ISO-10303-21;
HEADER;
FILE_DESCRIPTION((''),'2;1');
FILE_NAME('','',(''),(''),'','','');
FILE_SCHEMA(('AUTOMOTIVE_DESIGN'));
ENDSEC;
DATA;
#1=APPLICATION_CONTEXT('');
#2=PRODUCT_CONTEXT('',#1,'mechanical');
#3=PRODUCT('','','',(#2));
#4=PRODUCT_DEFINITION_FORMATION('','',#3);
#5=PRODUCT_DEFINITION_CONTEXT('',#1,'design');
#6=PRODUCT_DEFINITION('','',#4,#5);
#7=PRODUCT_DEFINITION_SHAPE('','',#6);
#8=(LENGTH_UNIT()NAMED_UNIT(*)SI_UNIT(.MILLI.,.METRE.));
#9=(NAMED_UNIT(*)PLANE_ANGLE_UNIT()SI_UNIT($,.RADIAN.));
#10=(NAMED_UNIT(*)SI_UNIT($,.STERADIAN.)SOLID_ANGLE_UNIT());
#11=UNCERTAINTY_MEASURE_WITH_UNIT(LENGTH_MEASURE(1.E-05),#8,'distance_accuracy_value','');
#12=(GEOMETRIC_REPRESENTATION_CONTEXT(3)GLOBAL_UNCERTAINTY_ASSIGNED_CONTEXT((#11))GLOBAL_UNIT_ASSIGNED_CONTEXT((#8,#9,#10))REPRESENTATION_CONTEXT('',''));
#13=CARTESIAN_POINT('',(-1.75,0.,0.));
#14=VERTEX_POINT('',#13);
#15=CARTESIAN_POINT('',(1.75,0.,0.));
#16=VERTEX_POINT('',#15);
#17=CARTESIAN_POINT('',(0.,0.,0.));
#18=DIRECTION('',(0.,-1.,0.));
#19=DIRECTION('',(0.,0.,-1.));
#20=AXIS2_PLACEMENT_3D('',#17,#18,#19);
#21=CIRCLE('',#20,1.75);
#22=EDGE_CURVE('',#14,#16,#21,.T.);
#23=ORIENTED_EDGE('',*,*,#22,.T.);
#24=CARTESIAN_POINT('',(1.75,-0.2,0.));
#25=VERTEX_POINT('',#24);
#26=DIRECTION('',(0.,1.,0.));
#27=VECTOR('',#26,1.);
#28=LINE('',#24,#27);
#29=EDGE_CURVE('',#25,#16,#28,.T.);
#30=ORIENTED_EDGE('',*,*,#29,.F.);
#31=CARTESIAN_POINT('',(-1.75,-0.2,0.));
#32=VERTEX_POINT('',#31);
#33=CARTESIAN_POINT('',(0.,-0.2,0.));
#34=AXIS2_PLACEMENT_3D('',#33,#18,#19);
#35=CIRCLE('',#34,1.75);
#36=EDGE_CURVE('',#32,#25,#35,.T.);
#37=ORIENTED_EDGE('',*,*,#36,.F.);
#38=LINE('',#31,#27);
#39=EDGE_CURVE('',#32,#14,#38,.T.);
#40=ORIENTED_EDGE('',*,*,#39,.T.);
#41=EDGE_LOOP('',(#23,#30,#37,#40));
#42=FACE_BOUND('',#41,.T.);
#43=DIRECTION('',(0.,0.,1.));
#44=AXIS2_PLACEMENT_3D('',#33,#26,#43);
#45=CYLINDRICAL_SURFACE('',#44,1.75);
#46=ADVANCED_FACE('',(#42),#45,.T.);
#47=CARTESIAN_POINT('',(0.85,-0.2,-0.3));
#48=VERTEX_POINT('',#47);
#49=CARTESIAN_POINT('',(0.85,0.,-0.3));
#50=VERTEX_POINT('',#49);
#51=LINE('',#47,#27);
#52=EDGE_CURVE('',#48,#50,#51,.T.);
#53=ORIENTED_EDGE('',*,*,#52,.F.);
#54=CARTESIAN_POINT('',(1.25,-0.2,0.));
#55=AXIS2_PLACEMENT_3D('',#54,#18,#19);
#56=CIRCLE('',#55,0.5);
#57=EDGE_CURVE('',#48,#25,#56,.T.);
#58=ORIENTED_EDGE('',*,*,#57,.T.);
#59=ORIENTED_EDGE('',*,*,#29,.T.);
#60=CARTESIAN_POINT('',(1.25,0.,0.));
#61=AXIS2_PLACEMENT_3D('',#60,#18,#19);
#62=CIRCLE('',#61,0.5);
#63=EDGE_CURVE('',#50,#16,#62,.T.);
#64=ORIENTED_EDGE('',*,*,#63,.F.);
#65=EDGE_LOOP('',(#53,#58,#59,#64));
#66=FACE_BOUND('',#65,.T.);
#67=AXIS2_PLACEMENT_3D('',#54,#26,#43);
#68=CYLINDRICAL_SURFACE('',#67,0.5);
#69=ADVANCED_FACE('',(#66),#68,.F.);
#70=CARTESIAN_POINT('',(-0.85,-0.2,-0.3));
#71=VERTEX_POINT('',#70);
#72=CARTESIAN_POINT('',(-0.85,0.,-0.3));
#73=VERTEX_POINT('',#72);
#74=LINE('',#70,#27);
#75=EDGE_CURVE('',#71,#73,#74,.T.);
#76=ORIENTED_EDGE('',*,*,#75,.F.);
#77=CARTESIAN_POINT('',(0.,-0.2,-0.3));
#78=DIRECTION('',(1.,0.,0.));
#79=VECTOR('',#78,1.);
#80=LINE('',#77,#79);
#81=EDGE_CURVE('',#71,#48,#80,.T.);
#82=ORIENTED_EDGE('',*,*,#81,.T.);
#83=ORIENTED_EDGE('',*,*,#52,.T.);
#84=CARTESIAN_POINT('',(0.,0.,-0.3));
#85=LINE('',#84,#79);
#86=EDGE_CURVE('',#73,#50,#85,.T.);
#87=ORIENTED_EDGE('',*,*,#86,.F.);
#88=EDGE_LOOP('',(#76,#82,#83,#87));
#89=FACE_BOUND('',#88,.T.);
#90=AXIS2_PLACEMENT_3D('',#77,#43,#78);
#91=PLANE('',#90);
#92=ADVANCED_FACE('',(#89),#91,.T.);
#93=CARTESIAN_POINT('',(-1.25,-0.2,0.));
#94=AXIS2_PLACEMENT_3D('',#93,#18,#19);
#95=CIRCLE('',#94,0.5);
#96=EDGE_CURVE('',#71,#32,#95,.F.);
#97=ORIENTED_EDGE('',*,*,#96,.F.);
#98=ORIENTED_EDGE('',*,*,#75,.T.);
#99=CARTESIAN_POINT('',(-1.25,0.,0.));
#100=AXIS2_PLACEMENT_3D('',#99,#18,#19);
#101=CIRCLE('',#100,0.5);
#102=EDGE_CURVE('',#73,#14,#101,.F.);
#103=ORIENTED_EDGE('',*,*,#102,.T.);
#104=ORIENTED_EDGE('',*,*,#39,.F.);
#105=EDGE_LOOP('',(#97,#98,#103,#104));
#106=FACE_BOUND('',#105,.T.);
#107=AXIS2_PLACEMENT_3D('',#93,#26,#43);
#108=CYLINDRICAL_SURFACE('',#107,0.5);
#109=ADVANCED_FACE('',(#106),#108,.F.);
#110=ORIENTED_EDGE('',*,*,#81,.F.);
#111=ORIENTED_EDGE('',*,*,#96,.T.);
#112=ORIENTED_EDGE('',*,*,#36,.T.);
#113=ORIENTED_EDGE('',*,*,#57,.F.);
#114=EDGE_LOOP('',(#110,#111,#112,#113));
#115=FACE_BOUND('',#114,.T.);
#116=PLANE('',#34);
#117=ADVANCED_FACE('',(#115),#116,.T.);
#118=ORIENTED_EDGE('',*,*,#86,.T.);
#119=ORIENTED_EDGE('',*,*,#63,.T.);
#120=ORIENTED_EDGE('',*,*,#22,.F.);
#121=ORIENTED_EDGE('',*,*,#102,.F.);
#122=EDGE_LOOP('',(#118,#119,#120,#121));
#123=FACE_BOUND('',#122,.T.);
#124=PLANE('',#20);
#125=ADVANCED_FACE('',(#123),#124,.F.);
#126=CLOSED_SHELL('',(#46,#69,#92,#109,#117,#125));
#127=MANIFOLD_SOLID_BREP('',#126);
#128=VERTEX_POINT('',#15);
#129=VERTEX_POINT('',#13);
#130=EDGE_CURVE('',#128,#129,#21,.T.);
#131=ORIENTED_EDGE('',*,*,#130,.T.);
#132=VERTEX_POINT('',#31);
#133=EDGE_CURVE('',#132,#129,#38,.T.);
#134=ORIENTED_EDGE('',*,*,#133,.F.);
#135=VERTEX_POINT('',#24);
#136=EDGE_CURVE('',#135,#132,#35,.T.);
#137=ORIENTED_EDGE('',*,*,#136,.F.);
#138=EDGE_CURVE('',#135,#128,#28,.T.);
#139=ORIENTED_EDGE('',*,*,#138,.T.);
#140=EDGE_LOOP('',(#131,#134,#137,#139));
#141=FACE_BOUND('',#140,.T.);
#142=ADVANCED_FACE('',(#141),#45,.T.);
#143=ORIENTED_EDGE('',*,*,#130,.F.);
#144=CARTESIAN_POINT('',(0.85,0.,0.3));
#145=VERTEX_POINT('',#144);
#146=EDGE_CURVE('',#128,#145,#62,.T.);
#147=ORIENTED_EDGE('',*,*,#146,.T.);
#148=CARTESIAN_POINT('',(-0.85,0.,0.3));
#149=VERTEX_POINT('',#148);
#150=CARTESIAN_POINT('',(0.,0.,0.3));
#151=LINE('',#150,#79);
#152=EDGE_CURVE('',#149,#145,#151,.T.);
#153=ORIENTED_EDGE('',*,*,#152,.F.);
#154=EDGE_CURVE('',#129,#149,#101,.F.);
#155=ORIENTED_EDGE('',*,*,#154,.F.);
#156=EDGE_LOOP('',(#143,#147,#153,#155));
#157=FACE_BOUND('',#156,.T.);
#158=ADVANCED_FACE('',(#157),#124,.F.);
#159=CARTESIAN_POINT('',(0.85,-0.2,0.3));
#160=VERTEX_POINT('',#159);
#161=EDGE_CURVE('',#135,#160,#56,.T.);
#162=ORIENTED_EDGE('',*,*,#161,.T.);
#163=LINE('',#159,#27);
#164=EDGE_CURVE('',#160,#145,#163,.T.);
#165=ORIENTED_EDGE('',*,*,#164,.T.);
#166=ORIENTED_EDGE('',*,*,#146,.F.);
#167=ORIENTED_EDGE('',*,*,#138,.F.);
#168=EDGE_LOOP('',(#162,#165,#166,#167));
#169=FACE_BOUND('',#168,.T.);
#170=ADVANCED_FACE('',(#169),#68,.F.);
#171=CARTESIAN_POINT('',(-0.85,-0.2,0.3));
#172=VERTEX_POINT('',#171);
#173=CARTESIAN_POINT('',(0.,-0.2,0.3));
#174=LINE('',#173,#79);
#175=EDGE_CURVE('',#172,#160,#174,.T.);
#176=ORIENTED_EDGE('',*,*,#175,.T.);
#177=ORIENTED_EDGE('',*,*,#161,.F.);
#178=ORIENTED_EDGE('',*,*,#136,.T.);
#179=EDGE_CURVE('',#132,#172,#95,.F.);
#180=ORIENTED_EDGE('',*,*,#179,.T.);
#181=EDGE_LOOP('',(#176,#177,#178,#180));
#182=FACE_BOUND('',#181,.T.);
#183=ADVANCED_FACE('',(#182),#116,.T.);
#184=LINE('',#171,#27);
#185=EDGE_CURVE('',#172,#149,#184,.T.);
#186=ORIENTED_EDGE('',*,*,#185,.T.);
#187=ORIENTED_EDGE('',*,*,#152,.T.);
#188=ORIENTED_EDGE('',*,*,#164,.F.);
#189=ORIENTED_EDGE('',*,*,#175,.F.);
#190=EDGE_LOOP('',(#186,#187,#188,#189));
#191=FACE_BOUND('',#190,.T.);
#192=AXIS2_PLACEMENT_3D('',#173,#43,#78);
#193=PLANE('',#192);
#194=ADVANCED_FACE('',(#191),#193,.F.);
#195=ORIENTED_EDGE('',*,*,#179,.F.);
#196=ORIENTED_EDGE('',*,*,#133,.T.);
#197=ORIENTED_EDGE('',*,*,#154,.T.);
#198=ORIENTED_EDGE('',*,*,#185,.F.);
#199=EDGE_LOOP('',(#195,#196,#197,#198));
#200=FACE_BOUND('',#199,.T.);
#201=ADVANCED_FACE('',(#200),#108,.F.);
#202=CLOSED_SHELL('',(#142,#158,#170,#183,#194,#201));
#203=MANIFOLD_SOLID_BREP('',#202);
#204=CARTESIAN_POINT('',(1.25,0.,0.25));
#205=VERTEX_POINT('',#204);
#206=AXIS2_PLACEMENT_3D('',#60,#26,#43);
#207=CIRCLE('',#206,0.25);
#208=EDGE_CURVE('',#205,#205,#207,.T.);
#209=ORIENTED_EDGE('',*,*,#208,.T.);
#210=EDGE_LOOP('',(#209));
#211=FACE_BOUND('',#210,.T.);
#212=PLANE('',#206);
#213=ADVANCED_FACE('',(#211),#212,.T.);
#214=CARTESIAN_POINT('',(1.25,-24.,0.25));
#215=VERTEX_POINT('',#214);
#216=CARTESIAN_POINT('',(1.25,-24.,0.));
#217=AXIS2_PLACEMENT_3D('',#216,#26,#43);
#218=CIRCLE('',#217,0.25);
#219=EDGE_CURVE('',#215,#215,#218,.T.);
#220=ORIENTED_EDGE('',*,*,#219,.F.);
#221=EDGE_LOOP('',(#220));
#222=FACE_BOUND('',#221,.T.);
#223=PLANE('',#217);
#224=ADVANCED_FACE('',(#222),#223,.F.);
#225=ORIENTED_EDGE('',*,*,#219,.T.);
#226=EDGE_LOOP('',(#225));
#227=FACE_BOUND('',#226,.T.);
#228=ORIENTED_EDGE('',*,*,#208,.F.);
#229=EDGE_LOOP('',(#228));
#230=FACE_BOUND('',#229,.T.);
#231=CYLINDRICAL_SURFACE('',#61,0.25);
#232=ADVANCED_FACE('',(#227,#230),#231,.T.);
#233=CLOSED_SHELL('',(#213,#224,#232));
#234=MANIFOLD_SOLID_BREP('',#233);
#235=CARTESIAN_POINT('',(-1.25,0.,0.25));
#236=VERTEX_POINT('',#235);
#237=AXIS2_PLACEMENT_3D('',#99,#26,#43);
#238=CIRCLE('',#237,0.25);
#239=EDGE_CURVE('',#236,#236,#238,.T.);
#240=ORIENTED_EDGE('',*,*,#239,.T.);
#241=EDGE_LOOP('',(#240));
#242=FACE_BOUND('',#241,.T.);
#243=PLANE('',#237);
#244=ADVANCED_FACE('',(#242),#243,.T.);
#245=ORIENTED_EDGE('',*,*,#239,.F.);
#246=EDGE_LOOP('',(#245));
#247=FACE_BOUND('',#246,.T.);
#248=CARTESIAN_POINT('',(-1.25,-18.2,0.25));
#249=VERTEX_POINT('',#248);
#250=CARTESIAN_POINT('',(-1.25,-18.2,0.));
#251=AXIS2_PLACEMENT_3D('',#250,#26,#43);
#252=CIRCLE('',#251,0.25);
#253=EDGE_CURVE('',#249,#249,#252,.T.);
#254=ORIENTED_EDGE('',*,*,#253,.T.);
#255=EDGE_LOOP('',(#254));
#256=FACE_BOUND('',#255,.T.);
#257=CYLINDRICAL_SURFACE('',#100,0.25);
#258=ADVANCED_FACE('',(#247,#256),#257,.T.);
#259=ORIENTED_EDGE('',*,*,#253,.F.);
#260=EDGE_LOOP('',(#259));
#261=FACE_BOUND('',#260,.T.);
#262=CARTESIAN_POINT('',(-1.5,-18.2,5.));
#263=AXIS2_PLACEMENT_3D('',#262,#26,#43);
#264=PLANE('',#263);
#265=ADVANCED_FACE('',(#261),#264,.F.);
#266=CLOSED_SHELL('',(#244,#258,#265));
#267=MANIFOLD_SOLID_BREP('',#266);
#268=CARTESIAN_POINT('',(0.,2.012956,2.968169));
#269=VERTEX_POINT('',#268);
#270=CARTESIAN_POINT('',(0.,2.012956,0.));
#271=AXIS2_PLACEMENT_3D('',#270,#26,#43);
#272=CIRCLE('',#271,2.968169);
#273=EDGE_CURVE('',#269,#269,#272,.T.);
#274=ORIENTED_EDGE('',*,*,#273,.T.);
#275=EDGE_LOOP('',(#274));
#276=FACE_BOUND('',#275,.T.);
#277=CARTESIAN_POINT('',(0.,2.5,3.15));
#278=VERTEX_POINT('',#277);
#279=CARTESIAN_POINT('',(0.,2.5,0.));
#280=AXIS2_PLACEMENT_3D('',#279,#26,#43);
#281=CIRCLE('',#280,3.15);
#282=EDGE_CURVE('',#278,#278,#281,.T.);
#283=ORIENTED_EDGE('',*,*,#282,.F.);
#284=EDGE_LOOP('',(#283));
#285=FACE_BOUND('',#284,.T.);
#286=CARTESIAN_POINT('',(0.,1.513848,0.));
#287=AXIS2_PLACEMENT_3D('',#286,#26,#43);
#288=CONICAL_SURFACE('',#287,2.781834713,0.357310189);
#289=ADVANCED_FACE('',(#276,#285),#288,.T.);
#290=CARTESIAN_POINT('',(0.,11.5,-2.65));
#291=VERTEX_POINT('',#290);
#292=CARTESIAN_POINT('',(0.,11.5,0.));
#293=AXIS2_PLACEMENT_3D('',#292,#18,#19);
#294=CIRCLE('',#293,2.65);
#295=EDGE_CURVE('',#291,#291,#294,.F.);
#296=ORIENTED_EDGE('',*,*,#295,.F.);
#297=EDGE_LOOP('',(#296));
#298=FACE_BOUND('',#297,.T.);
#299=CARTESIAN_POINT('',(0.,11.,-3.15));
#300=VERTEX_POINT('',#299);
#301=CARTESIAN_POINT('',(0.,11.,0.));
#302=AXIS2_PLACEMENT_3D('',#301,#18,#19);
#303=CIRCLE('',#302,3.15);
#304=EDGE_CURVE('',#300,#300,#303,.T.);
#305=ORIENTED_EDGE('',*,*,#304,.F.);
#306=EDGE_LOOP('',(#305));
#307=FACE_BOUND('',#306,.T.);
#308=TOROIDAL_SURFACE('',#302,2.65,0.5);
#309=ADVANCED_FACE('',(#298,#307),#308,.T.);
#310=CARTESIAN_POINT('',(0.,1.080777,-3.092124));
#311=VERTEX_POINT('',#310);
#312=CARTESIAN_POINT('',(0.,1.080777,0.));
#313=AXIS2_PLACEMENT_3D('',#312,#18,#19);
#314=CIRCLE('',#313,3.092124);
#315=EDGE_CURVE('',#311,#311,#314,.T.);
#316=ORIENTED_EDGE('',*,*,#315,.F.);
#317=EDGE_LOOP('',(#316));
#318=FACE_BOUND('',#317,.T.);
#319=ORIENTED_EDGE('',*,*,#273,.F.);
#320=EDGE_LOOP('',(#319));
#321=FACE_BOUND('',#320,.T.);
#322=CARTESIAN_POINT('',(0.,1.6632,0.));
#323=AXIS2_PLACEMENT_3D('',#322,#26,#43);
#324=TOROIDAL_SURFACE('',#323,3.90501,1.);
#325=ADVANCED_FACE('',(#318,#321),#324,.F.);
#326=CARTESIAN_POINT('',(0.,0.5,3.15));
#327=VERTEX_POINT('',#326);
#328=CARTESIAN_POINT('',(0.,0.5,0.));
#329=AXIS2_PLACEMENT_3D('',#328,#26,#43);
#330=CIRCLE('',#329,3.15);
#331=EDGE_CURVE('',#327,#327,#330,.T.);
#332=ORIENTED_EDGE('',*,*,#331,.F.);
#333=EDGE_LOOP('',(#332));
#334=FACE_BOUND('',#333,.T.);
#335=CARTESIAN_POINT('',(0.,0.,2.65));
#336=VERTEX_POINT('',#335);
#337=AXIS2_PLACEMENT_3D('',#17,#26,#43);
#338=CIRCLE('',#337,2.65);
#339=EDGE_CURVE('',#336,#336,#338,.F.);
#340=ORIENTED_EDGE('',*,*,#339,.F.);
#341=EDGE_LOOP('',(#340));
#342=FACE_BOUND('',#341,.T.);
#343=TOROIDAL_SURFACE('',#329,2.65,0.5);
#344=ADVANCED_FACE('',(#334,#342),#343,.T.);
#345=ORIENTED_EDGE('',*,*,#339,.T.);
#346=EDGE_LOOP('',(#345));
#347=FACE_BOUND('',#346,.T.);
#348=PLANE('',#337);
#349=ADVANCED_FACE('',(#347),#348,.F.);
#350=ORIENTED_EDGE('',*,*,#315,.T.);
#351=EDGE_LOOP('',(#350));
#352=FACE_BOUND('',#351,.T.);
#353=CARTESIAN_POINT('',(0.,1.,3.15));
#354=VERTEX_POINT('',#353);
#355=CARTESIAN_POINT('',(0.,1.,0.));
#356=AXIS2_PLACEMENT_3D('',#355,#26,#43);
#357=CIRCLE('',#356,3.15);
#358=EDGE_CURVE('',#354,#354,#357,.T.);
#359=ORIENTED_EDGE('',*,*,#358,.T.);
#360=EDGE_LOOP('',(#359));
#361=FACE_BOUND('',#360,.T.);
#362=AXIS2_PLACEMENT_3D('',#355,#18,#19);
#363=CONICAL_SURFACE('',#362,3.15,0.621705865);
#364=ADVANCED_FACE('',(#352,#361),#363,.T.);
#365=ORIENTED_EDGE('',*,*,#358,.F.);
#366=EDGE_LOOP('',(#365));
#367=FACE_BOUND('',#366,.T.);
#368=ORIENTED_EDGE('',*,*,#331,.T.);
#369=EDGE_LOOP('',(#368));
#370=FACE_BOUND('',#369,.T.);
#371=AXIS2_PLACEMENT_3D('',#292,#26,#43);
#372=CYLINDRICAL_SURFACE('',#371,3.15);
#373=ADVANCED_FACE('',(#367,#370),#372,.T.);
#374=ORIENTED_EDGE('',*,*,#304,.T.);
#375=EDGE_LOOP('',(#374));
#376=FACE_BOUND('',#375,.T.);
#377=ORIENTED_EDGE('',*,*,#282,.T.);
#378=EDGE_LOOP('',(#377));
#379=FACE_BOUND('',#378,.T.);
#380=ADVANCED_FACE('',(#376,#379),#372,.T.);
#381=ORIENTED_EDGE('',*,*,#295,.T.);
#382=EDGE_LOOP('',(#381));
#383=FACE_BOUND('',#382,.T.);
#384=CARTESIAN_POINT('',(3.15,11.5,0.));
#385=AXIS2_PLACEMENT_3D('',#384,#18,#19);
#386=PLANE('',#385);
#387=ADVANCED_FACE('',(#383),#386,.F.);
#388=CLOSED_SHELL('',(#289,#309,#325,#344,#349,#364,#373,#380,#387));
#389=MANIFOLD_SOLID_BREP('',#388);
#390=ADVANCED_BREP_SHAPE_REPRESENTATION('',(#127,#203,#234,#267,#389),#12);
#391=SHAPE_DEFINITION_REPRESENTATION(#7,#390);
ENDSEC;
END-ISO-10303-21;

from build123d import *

# Parameters (mm, degrees)
REDONDEO1_R                = 1
REDONDEO2_R                = 0.5
REDONDEO3_R                = 0.5
SALIENTE_EXTRUIR1_DEPTH    = 0.2
SALIENTE_EXTRUIR1_2_DEPTH  = 0.2
CROQUIS6_R                 = 0.25
SALIENTE_EXTRUIR16_DEPTH   = 24
SALIENTE_EXTRUIR16_2_DEPTH = 24
CORTAR_EXTRUIR2_DEPTH      = 5
CORTAR_EXTRUIR2_DEPTH_BACK = 5
CROQUIS7_W                 = 0.5
CROQUIS7_H                 = 5.8


with BuildPart() as part:
    # Croquis1 → Revolución1 (revolve)
    with BuildSketch(Plane.XY, mode=Mode.PRIVATE) as revoluci_n1_sk:
        Polygon((0, 0), (3.15, 0), (3.15, 1), (2.781834713, 1.513847513), (3.15, 2.5), (3.15, 11.5), (0, 11.5), align=None)
    revolve(revoluci_n1_sk.sketch.rotate(Axis((0, 11.5, 0), (0, -1, 0)), 90), axis=Axis((0, 11.5, 0), (0, -1, 0)))

    # Redondeo1
    redondeo1_edges = [part.edges().sort_by_distance(p)[0] for p in [
        (0, 1.513847513, -2.781834713),
    ]]
    fillet(redondeo1_edges, radius=REDONDEO1_R)

    # Redondeo2
    redondeo2_edges = [part.edges().sort_by_distance(p)[0] for p in [
        (0, 11.5, -3.15),
    ]]
    fillet(redondeo2_edges, radius=REDONDEO2_R)

    # Redondeo3
    redondeo3_edges = [part.edges().sort_by_distance(p)[0] for p in [
        (0, 0, -3.15),
    ]]
    fillet(redondeo3_edges, radius=REDONDEO3_R)


with BuildPart() as body_2:
    # Croquis2 → Saliente-Extruir1 (new body)
    with BuildSketch(Plane.XZ):
        with BuildLine():
            ThreePointArc((-1.75, 0), (-1.408113883, 0.474341649), (-0.85, 0.3))
            Line((-0.85, 0.3), (0.85, 0.3))
            ThreePointArc((0.85, 0.3), (1.408113883, 0.474341649), (1.75, 0))
            ThreePointArc((1.75, 0), (0, 1.75), (-1.75, 0))
        make_face()
    extrude(amount=SALIENTE_EXTRUIR1_DEPTH)


with BuildPart() as body_3:
    # Croquis2 → Saliente-Extruir1 2 (new body)
    with BuildSketch(Plane.XZ):
        with BuildLine():
            ThreePointArc((-0.85, -0.3), (-1.408113883, -0.474341649), (-1.75, 0))
            ThreePointArc((-1.75, 0), (0, -1.75), (1.75, 0))
            ThreePointArc((1.75, 0), (1.408113883, -0.474341649), (0.85, -0.3))
            Line((0.85, -0.3), (-0.85, -0.3))
        make_face()
    extrude(amount=SALIENTE_EXTRUIR1_2_DEPTH)


with BuildPart() as body_4:
    # Croquis6 → Saliente-Extruir16 (new body)
    with BuildSketch(Plane(origin=(0, -24, 0), x_dir=(1, 0, 0), z_dir=(0, 1, 0))):
        with Locations(Location((1.25, 0, 0), (0, 0, 270))):
            Circle(CROQUIS6_R)
    extrude(amount=SALIENTE_EXTRUIR16_DEPTH)


with BuildPart() as body_5:
    # Croquis6 → Saliente-Extruir16 2 (new body)
    with BuildSketch(Plane(origin=(0, -24, 0), x_dir=(1, 0, 0), z_dir=(0, 1, 0))):
        with Locations(Location((-1.25, 0, 0), (0, 0, 270))):
            Circle(CROQUIS6_R)
    extrude(amount=SALIENTE_EXTRUIR16_2_DEPTH)

    # Croquis7 → Cortar-Extruir2 (cut, two sides: drawn at the far end of the back side and taken through both)
    with BuildSketch(Plane.XY.offset(-CORTAR_EXTRUIR2_DEPTH_BACK)):
        with Locations((-1.25, -21.1)):
            Rectangle(CROQUIS7_W, CROQUIS7_H)
    extrude(amount=CORTAR_EXTRUIR2_DEPTH + CORTAR_EXTRUIR2_DEPTH_BACK, mode=Mode.SUBTRACT)


solid = Compound([part.part, body_2.part, body_3.part, body_4.part, body_5.part])
